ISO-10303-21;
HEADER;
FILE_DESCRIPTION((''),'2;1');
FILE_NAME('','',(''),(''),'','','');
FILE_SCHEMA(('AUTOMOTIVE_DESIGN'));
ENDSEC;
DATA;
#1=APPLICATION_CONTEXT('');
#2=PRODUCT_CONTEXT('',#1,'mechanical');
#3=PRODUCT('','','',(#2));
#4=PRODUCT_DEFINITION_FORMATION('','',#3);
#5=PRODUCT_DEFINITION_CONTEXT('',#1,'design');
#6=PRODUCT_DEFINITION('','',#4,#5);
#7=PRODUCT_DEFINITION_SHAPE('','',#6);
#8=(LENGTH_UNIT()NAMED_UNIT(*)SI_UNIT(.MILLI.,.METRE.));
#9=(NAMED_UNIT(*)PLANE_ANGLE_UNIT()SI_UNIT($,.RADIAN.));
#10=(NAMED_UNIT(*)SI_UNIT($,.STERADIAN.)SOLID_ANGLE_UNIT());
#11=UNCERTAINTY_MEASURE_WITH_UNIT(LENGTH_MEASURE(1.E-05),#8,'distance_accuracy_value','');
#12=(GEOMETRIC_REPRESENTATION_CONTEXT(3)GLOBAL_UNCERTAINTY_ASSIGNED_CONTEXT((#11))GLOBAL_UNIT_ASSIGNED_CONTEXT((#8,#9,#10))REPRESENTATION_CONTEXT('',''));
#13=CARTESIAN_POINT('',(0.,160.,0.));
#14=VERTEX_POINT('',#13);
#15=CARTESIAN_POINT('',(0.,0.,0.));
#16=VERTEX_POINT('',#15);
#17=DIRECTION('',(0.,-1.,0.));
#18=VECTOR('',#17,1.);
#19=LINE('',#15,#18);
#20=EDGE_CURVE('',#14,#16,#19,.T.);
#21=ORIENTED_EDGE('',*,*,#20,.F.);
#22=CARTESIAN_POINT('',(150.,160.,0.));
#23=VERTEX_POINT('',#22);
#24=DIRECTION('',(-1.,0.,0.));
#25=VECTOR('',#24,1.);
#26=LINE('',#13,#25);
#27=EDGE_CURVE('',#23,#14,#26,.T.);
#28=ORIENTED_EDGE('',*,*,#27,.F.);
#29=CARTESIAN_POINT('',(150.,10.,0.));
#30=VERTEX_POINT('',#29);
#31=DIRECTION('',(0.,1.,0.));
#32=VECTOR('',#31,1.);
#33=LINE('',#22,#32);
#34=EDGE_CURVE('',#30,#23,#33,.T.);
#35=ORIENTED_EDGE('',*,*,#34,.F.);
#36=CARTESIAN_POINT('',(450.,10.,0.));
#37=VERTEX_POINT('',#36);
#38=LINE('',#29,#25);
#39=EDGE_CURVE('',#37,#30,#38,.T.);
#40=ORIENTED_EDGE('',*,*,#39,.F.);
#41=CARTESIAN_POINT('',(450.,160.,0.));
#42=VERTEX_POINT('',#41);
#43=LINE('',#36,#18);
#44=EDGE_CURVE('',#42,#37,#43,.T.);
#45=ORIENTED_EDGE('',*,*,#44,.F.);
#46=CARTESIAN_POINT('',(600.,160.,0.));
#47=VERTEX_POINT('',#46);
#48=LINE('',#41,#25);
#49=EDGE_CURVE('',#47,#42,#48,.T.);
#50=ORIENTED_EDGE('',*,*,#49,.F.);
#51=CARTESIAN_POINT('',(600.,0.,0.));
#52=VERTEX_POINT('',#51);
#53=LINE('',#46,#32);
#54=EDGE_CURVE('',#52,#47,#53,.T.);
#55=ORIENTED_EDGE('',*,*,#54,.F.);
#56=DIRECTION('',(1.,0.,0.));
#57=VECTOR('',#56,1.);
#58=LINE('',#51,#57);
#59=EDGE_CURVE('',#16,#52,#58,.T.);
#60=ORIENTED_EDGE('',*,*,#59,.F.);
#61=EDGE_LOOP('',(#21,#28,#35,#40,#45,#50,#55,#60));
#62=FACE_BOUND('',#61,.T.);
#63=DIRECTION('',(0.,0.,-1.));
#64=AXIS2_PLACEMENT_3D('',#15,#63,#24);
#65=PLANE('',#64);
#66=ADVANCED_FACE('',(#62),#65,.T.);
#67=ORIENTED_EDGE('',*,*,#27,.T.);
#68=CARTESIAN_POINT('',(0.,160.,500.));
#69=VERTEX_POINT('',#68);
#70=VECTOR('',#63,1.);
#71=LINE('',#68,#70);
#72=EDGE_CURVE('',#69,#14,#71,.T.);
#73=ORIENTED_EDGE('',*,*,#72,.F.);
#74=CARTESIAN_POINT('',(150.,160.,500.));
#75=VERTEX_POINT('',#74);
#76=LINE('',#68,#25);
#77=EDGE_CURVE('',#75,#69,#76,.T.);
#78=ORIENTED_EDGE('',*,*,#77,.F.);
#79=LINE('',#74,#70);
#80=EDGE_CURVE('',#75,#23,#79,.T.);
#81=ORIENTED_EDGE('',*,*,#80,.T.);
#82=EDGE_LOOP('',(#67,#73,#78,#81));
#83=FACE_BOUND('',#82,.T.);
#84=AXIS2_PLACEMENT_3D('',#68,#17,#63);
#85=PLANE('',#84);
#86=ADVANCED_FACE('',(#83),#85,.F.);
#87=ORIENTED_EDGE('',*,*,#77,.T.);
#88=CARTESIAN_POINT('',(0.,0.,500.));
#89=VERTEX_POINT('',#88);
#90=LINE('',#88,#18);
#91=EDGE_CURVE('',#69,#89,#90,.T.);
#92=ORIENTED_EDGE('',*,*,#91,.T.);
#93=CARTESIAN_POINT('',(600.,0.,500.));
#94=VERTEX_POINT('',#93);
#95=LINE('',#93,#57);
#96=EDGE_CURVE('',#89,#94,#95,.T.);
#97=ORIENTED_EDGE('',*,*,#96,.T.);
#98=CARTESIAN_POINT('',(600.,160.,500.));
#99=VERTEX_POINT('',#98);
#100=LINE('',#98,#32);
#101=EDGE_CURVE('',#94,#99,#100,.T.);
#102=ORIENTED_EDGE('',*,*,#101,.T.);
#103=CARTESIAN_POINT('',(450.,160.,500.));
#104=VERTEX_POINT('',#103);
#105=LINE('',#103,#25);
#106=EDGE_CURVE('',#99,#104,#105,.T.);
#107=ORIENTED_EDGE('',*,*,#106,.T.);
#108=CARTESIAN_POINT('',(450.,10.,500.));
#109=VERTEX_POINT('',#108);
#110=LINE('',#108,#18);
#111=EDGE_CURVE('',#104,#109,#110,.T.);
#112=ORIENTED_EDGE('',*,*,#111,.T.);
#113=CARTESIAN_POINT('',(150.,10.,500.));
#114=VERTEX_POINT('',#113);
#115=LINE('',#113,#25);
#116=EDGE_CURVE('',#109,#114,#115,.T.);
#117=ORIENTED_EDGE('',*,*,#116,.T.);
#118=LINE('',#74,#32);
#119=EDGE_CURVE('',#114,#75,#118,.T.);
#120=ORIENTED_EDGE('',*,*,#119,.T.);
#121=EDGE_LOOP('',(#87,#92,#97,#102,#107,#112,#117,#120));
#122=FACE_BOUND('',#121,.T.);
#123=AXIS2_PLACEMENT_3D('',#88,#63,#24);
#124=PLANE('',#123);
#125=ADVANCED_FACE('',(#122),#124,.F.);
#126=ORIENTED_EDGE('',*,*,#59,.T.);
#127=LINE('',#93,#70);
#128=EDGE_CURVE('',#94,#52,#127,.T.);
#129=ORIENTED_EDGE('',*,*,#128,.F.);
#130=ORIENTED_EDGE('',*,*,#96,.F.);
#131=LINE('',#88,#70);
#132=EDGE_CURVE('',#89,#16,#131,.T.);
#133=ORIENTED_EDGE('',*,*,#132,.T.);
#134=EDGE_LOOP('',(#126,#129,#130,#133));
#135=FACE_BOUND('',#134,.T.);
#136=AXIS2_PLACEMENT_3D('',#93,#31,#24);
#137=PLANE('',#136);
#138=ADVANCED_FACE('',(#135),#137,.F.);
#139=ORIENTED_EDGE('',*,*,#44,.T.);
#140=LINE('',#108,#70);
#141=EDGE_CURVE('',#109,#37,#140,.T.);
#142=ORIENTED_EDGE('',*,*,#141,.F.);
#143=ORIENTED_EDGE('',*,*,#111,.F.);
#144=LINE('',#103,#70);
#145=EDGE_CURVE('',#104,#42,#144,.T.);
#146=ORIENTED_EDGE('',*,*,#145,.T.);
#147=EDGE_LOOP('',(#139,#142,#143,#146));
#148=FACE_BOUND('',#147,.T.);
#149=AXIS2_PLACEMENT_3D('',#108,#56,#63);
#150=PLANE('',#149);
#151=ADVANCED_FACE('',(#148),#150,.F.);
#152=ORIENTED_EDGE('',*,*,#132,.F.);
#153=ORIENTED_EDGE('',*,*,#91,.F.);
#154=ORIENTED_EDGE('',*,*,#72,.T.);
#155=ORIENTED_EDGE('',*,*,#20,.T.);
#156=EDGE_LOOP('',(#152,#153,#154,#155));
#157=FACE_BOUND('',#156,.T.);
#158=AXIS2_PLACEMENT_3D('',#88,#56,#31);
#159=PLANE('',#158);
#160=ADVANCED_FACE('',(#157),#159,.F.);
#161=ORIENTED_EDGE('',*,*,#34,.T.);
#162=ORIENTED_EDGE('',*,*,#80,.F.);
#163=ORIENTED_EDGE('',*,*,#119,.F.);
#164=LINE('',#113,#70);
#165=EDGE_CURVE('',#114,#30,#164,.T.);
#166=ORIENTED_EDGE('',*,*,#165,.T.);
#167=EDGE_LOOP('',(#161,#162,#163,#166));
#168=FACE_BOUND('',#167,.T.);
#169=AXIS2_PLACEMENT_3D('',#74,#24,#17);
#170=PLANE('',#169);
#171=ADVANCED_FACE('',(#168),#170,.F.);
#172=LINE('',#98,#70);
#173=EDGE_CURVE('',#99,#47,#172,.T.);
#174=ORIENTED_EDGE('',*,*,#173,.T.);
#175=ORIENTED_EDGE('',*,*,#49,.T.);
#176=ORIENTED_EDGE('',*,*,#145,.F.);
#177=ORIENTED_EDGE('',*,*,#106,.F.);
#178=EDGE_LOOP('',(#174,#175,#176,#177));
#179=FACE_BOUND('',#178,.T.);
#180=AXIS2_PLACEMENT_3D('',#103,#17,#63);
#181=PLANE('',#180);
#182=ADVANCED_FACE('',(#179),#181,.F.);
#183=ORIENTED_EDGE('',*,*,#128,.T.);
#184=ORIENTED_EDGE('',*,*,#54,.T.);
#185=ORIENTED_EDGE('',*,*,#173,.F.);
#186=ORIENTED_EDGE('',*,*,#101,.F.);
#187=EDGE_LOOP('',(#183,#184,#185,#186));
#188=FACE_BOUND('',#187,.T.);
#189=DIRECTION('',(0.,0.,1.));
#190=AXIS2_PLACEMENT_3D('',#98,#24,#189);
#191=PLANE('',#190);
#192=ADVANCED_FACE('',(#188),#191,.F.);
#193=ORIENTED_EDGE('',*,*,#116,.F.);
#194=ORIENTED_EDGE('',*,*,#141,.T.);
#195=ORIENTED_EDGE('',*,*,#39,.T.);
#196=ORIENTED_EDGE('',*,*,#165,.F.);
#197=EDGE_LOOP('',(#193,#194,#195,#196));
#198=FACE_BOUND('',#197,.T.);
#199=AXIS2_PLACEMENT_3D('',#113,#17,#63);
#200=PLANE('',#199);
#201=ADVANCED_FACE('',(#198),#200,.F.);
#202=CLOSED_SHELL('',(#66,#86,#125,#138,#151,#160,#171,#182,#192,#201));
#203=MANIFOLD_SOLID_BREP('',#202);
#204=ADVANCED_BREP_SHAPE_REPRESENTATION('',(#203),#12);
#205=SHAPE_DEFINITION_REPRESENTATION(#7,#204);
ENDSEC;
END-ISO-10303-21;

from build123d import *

# Parameters (mm, degrees)
EXTRUDE_1_DEPTH = 500


with BuildPart() as part:
    # 草图1 → 凸台-拉伸1 (new body)
    with BuildSketch(Plane.XY):
        Polygon((0, 0), (0, 160), (150, 160), (150, 10), (450, 10), (450, 160), (600, 160), (600, 0), align=None)
    extrude(amount=EXTRUDE_1_DEPTH)


solid = part.part
